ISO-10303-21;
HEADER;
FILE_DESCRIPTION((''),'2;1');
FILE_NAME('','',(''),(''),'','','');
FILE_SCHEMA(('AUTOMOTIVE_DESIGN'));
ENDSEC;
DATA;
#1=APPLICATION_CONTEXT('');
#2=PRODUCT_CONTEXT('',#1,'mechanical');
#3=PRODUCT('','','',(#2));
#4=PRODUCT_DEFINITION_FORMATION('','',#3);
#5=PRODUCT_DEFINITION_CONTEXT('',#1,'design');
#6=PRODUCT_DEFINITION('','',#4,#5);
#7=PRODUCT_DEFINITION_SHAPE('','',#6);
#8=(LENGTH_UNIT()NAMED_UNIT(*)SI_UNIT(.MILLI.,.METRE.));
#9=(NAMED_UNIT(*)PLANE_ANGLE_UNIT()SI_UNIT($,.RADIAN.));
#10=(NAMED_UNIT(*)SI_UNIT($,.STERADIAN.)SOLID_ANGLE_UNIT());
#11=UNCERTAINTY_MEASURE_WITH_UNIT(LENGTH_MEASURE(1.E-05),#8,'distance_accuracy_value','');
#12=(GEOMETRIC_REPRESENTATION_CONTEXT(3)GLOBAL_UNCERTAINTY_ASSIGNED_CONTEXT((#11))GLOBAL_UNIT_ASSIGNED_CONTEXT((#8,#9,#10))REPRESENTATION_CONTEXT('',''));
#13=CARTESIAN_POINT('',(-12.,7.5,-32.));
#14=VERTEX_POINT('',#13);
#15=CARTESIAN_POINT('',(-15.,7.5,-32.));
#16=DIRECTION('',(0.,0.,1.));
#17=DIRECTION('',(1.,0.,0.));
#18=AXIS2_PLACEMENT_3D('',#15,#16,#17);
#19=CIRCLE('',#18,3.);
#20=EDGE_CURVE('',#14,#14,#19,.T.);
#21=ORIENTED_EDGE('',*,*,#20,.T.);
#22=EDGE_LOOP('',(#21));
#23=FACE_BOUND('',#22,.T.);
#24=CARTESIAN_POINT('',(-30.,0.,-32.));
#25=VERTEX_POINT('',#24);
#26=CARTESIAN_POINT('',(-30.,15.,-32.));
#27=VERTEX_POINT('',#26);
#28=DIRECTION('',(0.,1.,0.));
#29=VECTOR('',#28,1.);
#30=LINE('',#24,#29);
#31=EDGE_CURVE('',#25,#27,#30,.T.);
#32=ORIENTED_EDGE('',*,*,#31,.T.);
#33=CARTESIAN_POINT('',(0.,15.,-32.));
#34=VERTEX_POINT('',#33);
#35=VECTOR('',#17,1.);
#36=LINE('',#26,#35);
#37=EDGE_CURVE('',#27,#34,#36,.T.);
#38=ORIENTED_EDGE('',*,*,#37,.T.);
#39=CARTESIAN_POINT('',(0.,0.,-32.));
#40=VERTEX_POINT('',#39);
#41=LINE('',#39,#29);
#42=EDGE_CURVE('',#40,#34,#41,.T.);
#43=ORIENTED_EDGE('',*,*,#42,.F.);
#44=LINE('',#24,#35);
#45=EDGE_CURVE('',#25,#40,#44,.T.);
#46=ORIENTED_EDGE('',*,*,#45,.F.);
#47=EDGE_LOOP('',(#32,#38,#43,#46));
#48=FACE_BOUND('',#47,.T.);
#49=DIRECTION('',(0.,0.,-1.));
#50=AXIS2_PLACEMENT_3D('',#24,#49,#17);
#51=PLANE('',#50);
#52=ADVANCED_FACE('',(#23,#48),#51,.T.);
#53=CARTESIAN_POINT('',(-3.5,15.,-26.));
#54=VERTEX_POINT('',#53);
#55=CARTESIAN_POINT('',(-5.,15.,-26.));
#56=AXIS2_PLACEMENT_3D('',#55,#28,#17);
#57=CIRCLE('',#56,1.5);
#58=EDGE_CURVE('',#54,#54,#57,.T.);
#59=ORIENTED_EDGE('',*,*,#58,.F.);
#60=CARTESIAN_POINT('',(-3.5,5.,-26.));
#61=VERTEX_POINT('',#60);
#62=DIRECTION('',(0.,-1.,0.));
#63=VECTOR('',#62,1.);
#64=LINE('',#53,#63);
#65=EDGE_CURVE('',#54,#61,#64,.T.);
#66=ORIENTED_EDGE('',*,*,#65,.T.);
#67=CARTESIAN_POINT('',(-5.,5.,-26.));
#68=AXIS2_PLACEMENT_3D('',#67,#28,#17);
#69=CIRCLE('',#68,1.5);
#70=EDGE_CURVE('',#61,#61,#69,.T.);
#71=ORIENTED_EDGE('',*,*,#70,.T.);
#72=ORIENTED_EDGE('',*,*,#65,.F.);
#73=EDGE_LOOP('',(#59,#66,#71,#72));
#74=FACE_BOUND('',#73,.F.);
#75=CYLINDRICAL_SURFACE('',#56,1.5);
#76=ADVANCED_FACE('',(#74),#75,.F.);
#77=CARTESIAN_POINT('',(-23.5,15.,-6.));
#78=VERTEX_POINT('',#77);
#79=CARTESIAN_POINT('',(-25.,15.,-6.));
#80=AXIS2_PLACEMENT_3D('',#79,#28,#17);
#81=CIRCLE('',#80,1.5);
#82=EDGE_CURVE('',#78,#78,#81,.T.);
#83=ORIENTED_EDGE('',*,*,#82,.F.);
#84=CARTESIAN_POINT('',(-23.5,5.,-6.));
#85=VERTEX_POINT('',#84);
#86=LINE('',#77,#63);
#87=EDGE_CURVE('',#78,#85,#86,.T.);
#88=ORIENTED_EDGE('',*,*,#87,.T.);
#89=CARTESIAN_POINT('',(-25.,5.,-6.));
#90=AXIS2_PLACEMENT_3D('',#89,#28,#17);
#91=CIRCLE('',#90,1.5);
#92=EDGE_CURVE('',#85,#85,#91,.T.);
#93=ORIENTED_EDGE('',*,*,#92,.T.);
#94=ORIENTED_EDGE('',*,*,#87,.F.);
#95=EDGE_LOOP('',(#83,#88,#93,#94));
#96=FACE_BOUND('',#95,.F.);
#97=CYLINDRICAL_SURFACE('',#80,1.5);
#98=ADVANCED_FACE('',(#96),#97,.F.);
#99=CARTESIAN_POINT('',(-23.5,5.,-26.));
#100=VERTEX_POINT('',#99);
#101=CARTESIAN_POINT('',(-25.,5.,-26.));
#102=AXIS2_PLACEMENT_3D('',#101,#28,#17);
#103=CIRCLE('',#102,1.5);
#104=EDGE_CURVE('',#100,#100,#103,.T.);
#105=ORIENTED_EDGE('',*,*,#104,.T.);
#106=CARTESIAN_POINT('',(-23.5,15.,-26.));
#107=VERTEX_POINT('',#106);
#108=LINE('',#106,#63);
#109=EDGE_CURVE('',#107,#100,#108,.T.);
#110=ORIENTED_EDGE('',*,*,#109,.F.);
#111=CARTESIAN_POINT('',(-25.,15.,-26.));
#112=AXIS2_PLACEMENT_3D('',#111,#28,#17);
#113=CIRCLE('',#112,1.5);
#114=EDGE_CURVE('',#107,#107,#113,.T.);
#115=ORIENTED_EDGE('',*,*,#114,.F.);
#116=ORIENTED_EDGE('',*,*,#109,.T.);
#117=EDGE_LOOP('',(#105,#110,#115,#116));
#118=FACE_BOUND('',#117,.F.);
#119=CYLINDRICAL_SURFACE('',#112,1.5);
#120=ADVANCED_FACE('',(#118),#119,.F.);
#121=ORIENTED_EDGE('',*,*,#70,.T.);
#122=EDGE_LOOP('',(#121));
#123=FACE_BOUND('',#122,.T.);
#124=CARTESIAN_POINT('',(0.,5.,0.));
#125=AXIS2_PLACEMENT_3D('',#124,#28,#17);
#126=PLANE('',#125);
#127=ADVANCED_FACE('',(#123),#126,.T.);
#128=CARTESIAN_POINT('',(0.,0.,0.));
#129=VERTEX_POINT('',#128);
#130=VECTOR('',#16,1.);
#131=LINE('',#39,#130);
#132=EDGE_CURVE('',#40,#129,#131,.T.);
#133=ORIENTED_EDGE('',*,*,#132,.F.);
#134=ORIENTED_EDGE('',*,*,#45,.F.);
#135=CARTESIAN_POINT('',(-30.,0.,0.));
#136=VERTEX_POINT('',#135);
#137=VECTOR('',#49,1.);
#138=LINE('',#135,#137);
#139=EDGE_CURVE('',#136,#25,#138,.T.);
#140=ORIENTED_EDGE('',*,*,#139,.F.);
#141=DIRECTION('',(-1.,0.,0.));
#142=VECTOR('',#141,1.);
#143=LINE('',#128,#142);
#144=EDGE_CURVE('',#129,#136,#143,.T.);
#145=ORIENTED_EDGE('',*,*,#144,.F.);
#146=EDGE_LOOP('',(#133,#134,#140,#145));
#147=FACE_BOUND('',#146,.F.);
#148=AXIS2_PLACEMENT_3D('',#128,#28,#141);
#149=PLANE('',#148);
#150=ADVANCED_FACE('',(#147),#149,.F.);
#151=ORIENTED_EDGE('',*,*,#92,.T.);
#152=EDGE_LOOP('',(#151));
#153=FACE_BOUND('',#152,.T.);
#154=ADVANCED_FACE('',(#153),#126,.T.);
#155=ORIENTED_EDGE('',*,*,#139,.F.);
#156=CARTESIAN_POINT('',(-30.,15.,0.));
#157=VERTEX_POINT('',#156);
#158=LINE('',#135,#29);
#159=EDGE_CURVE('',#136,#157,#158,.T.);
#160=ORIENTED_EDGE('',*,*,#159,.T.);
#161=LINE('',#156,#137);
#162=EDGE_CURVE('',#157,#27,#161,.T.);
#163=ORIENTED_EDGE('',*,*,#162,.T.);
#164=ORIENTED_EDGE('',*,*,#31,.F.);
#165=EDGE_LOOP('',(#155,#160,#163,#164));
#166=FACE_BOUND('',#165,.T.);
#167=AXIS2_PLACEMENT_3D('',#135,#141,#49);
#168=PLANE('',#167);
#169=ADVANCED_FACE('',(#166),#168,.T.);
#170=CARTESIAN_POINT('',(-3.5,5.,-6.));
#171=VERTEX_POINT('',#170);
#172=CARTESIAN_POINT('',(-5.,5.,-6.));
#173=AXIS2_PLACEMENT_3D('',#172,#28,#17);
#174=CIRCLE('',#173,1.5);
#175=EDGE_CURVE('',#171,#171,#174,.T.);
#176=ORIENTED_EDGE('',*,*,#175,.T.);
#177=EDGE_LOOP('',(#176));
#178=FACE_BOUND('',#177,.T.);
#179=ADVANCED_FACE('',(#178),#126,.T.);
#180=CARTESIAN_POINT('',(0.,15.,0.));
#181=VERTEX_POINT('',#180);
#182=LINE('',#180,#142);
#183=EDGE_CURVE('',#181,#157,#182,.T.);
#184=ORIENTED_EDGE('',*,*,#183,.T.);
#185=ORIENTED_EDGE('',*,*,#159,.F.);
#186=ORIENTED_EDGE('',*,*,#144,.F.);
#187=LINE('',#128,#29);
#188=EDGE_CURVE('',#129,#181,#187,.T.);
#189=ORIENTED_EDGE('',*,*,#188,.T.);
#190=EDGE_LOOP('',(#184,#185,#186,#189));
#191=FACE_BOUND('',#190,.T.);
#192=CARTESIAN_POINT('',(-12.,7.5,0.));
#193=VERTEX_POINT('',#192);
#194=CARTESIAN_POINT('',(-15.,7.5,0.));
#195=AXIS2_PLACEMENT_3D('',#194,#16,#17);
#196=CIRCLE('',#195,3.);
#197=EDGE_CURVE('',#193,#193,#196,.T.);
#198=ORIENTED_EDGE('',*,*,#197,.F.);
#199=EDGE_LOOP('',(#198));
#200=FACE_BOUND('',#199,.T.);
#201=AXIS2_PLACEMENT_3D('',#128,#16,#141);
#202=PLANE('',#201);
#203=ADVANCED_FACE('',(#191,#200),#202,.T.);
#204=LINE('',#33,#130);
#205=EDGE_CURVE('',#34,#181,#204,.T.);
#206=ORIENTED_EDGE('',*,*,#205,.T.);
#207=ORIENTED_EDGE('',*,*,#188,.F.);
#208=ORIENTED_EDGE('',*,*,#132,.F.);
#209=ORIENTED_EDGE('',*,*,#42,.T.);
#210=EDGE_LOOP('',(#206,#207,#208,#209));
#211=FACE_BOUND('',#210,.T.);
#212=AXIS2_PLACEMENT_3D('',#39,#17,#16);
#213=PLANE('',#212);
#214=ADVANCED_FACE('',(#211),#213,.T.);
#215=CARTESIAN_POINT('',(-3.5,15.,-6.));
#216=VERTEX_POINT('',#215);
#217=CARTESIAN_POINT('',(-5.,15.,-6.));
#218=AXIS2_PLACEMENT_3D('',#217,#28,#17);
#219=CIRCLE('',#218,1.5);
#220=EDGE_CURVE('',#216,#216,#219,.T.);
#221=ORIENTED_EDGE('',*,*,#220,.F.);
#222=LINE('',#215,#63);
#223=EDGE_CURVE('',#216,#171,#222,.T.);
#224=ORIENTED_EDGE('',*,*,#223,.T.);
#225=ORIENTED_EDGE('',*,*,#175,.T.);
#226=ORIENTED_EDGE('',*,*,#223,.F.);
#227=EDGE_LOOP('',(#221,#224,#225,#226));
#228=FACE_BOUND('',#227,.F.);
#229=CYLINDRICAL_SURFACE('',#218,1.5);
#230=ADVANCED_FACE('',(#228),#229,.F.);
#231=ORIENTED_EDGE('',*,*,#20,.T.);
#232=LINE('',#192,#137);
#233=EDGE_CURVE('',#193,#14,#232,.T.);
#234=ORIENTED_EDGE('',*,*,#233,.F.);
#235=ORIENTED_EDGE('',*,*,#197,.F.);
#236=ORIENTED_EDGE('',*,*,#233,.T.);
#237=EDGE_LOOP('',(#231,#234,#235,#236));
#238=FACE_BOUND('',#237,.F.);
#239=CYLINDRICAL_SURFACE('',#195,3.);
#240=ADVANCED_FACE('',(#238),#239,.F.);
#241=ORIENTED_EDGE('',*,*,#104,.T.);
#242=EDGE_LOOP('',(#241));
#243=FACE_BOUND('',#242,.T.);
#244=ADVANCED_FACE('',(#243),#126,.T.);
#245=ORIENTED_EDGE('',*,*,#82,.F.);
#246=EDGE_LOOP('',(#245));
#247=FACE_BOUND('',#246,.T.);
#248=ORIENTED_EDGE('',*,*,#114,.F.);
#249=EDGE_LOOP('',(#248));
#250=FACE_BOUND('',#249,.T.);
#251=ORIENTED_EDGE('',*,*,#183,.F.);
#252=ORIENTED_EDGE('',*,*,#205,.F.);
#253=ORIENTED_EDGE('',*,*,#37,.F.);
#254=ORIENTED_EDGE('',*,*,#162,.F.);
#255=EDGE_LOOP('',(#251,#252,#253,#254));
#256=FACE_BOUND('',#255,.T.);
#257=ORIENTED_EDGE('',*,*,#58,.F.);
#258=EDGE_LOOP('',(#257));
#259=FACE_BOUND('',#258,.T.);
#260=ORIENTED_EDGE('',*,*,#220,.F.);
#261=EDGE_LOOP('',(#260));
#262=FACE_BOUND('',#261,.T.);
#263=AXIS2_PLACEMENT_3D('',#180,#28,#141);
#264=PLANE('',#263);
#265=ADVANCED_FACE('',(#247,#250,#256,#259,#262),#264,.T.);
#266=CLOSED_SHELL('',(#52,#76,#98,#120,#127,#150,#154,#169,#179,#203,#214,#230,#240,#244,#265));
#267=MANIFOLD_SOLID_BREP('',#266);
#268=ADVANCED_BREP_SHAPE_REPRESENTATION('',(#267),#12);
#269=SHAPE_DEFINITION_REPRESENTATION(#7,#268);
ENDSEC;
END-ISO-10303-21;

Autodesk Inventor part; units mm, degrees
ref_plane "YZ Plane" through (0, 0, 0) normal (1, 0, 0) x (0, 1, 0)
ref_plane "XZ Plane" through (0, 0, 0) normal (0, 1, 0) x (-1, 0, 0)
ref_plane "XY Plane" through (0, 0, 0) normal (0, 0, 1) x (1, 0, 0)
sketch "Sketch1" plane through (0, 0, 0) normal (0, 1, 0) x (-1, 0, 0)
  line L0 (0, 0) -> (30, 0)
  line L1 (30, 0) -> (30, -32)
  line L2 (30, -32) -> (0, -32)
  line L3 (0, -32) -> (0, 0)
  dimension "d0" = 30
  dimension "d1" = 32
extrude "Extrusion1" add sketch "Sketch1" along normal blind 15
sketch "Sketch2" plane through (-30, 0, 0) normal (0, 0, 1) x (1, 0, 0)
  line L0 (30, 15) -> (0, 15) projected
  line L1 (0, 15) -> (30, 0) construction
  line L2 (30, 0) -> (0, 0) projected
  line L3 (0, 0) -> (30, 15) construction
  circle A0 centre (15, 7.5) radius 3
  dimension "d4" = 6
extrude "Extrusion2" cut sketch "Sketch2" against normal through all
sketch "Sketch3" plane through (0, 15, 0) normal (0, 1, 0) x (1, 0, 0)
  circle A0 centre (-25, 6) radius 1.5
  circle A1 centre (-25, 26) radius 1.5
  circle A2 centre (-5, 6) radius 1.5
  circle A3 centre (-5, 26) radius 1.5
  line L0 (-30, 0) -> (0, 0) projected
  line L1 (-30, 32) -> (-30, 0) projected
  line L2 (-5, 26) -> (0, 26) construction
  line L3 (0, 0) -> (0, 32) projected
  line L4 (-25, 26) -> (-30, 26) construction
  dimension "d7" = 3
  dimension "d8" = 6
  dimension "d9" = 20
  dimension "d10" = 20
extrude "Extrusion3" cut sketch "Sketch3" against normal blind 10
properties part number "AE_MOVING_STAGE"
